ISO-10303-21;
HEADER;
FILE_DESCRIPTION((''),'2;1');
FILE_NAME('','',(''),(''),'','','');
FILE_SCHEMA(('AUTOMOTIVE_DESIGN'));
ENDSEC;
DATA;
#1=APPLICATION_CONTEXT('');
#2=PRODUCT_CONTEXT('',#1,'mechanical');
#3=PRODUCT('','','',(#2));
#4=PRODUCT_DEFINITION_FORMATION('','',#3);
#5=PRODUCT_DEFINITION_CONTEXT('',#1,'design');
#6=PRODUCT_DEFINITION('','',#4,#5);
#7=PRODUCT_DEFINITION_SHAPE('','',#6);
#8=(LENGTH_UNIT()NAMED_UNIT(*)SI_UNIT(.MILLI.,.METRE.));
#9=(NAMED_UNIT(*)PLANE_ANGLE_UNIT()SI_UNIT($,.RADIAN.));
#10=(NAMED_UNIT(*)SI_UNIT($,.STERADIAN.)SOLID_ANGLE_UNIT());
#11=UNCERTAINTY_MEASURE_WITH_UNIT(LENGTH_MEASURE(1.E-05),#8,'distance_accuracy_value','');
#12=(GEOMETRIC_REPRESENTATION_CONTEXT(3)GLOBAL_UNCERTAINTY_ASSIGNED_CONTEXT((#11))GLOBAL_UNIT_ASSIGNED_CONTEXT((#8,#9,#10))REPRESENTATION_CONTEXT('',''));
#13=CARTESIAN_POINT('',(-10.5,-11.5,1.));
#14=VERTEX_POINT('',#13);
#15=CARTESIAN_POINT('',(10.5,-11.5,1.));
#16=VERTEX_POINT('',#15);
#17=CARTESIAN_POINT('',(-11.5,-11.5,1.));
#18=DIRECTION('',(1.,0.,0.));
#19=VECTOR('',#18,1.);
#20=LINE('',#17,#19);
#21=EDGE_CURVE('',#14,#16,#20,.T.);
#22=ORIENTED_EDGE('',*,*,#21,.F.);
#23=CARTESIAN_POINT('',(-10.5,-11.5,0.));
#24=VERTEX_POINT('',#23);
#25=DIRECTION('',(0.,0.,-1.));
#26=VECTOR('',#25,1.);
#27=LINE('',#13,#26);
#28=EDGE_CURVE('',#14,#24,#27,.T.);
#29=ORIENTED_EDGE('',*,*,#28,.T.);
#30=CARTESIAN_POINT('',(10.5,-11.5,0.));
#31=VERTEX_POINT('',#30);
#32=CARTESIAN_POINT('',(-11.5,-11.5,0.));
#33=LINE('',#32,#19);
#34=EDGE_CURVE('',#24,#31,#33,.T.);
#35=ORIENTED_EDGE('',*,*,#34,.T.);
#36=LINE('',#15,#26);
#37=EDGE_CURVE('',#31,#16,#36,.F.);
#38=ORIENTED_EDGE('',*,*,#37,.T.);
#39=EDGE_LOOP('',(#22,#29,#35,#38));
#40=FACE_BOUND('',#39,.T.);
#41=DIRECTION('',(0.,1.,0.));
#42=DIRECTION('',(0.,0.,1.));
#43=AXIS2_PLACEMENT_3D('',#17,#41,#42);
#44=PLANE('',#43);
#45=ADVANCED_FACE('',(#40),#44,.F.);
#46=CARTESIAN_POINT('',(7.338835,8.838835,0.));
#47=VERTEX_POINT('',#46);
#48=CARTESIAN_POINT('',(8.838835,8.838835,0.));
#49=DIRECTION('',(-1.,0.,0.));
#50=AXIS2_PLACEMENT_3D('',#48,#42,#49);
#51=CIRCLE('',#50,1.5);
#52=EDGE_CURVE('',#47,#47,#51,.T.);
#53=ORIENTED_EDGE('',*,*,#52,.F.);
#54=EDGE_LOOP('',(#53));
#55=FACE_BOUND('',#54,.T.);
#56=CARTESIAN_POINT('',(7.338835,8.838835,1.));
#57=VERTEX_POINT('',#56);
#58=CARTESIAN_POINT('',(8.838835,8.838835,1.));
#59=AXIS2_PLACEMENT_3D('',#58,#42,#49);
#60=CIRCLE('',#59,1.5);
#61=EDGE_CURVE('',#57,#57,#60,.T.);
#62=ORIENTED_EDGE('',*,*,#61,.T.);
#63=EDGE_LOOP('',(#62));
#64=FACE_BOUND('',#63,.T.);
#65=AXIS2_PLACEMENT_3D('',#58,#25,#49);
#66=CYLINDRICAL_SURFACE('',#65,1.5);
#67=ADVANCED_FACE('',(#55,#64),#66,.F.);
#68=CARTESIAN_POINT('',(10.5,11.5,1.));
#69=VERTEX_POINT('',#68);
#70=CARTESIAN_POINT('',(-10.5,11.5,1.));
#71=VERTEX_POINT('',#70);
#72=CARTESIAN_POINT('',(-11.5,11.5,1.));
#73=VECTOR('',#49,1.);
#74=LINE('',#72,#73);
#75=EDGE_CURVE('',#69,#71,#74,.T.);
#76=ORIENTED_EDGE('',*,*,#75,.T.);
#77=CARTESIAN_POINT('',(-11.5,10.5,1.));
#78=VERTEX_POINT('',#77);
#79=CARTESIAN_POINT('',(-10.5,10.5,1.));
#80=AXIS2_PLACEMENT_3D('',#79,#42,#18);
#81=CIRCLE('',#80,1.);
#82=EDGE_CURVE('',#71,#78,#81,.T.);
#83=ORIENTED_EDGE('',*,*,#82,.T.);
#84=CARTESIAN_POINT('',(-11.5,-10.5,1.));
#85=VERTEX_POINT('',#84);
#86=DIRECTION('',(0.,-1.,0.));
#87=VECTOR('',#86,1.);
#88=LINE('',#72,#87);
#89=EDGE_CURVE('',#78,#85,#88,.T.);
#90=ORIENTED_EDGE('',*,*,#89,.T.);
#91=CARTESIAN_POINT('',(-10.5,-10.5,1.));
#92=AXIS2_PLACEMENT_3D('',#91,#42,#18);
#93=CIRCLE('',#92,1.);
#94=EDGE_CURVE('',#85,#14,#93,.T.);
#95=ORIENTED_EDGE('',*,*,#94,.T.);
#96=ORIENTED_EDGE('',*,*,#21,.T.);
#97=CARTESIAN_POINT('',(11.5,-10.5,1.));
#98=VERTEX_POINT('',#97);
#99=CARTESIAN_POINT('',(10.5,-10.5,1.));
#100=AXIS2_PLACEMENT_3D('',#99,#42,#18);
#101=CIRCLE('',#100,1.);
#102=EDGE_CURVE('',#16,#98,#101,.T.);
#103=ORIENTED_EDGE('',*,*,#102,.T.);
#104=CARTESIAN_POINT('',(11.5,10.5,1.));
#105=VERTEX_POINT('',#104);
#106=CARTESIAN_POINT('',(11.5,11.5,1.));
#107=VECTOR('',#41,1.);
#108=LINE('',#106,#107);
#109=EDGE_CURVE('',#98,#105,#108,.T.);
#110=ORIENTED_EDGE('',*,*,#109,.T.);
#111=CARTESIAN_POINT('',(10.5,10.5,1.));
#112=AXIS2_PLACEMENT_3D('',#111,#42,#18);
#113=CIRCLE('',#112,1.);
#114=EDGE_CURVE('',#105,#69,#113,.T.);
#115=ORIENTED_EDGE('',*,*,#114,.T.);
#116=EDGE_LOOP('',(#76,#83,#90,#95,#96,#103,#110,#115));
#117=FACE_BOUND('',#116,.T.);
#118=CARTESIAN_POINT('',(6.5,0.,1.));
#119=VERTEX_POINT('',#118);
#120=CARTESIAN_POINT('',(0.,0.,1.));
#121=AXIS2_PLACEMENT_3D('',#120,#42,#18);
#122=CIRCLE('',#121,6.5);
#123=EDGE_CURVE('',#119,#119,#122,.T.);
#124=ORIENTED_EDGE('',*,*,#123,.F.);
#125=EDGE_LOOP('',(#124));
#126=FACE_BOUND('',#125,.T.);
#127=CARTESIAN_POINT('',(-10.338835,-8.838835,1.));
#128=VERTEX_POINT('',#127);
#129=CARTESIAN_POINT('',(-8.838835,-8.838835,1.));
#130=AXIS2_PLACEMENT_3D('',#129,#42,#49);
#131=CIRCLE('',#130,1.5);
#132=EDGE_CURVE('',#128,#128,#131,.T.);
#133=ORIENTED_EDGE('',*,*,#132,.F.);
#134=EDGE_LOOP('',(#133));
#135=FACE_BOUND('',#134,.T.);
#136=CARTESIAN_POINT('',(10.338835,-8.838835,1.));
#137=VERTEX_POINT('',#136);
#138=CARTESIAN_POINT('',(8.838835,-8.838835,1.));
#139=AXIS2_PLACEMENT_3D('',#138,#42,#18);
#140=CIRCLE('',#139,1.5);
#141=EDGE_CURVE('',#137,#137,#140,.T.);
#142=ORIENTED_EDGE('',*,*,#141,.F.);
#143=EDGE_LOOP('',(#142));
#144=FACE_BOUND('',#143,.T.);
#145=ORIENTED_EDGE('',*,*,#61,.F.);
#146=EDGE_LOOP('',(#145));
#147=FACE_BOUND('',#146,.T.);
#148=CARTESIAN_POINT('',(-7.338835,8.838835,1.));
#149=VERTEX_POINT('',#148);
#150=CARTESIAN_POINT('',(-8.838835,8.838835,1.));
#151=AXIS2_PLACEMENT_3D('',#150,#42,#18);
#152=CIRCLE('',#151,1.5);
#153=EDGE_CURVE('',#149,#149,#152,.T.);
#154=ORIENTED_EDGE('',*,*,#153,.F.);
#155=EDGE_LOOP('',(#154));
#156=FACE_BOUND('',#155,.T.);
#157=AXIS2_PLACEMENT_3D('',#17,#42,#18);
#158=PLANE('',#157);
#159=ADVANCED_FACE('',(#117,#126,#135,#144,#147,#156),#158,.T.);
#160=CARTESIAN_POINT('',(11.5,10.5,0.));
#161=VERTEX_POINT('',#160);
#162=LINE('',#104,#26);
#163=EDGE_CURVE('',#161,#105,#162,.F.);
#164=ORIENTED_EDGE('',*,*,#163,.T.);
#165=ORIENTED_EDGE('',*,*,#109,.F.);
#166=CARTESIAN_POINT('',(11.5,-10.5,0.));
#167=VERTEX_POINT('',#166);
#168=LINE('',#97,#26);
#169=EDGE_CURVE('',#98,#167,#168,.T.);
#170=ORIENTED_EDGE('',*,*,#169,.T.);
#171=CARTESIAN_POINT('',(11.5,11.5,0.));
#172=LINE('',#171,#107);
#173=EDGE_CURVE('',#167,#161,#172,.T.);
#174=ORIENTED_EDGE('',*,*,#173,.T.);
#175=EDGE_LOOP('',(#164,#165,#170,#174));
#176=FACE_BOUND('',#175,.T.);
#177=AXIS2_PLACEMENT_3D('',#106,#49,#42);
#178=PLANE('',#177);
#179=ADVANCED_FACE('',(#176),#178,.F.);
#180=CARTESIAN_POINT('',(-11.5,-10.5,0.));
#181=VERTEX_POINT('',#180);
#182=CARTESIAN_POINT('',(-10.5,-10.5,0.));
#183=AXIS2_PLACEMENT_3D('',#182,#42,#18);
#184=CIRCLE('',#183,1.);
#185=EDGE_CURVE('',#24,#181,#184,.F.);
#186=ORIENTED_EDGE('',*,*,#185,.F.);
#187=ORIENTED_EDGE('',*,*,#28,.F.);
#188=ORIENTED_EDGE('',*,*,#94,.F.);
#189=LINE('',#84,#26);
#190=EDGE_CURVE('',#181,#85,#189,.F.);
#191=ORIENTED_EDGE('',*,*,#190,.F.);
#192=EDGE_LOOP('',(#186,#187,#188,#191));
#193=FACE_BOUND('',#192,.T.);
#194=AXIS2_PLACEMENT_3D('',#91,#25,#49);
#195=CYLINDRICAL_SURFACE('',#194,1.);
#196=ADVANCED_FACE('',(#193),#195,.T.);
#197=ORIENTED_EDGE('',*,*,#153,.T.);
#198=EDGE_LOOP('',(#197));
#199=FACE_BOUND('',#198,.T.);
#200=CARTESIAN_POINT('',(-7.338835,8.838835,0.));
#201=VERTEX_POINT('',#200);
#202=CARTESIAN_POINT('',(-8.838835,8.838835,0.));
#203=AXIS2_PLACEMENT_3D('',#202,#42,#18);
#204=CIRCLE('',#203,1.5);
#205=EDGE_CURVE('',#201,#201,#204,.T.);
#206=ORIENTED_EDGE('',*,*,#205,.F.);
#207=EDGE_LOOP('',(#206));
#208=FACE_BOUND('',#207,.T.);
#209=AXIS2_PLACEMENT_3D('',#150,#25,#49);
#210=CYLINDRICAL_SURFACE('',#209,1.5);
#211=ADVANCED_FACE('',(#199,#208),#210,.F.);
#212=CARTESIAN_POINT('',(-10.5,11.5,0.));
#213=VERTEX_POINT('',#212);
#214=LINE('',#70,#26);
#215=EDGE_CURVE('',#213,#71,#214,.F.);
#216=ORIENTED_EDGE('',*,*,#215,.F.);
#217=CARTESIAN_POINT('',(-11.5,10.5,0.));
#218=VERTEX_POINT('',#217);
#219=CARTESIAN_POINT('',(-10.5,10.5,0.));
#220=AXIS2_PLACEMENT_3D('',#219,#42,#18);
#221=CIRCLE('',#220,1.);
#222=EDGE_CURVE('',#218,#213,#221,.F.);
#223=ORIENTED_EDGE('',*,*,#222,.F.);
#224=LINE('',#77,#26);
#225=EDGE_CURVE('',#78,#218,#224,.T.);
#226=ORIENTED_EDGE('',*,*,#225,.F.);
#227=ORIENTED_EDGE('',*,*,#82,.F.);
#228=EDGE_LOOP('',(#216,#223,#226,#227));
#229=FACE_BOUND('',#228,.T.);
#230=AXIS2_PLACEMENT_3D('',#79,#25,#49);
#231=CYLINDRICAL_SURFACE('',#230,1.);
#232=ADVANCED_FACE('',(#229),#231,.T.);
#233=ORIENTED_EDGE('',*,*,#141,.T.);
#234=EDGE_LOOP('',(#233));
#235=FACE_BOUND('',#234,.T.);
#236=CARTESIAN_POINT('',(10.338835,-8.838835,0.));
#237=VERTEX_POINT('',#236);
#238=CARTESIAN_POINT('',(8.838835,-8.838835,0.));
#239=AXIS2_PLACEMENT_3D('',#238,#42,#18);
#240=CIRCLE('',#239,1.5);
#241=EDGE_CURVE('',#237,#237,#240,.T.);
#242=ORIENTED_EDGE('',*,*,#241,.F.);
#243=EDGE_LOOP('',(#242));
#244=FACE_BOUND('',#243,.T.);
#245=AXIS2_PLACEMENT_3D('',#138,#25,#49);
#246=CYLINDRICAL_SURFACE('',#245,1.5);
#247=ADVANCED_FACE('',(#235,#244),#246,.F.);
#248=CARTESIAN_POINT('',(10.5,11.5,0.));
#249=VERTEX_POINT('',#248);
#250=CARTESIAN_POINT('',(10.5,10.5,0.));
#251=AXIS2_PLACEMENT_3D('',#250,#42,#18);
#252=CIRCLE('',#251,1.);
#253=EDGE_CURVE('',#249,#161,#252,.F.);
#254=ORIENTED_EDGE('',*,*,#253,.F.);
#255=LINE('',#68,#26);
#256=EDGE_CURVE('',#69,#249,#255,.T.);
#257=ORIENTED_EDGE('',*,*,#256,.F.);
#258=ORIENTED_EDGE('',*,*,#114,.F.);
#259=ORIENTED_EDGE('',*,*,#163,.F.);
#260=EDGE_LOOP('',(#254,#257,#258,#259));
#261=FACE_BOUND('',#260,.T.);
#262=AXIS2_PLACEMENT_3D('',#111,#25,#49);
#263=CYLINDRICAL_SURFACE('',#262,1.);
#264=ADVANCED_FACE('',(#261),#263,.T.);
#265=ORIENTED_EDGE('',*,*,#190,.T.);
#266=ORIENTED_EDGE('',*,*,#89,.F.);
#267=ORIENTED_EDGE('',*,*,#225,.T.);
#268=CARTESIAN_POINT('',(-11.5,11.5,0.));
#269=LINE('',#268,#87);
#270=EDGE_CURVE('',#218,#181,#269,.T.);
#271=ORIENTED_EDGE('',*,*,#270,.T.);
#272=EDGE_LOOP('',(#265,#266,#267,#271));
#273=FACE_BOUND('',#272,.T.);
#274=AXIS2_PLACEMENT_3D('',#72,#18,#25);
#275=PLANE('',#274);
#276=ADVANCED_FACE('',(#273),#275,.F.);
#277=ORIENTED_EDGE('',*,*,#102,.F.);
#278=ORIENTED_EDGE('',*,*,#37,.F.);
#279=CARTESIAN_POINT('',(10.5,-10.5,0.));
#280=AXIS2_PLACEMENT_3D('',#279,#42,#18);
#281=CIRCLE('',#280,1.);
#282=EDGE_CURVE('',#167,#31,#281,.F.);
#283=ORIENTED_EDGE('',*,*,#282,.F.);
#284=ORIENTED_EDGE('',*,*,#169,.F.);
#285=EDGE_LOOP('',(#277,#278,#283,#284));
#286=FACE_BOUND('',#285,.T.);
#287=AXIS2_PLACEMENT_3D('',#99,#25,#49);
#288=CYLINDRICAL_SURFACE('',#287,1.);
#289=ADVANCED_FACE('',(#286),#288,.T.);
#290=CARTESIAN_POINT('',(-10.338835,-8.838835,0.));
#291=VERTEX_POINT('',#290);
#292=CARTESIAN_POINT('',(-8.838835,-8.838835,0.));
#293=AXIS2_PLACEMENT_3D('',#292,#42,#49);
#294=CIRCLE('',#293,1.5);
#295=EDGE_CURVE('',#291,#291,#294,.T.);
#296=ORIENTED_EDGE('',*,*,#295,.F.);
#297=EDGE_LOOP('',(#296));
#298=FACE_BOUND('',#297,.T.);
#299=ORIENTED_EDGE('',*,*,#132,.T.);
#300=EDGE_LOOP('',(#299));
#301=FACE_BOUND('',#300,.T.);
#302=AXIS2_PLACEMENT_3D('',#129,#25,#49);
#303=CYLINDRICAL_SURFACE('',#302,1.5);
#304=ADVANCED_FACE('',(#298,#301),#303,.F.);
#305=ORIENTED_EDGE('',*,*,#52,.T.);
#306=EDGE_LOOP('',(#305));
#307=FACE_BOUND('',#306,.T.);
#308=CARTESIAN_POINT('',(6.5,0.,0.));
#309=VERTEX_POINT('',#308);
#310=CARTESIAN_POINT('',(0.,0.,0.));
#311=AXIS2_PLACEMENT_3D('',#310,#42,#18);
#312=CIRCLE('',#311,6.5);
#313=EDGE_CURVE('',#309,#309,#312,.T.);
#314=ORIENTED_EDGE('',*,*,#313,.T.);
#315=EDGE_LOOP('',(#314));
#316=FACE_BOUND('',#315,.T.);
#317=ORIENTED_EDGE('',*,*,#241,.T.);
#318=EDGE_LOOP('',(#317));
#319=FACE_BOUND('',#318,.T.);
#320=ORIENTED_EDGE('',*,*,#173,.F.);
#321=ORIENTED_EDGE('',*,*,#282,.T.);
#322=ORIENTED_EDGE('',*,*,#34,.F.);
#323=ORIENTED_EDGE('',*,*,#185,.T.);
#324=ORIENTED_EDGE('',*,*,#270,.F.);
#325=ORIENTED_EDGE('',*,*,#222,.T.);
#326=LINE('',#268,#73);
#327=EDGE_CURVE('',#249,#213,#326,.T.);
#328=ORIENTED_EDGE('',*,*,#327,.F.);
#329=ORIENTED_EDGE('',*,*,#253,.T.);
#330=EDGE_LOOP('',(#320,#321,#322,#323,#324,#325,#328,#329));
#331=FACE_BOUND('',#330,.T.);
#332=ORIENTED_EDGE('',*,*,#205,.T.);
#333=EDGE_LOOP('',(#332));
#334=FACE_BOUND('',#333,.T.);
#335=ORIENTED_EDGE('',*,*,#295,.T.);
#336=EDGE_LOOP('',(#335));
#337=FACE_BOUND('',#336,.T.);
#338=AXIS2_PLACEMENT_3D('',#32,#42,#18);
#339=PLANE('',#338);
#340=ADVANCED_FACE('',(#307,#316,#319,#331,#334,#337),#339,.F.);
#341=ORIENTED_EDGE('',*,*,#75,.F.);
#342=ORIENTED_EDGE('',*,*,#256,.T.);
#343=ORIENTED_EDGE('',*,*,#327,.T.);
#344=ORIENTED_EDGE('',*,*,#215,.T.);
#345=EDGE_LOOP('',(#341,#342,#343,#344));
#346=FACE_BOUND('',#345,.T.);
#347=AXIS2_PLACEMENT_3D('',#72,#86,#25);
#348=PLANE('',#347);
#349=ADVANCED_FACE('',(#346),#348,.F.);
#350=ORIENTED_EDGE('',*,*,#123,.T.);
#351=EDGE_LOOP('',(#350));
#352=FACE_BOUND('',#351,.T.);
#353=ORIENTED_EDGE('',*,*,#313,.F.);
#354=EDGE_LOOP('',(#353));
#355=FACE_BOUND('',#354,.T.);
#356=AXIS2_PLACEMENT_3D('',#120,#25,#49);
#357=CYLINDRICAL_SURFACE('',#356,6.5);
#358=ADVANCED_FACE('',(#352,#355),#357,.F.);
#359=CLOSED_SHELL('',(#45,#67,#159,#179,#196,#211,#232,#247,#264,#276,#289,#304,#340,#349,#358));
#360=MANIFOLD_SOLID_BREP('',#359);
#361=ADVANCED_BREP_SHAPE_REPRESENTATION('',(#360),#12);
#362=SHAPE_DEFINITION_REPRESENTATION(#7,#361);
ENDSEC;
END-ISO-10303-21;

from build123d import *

# Parameters (mm, degrees)
SKETCH_1_W      = 23
SKETCH_1_H      = 23
SKETCH_1_R      = 1.5
SKETCH_1_R_2    = 6.5
EXTRUDE_1_DEPTH = 1
FILLET_1_R      = 1


with BuildPart() as part:
    # 草图1 → 凸台-拉伸1 (new body)
    with BuildSketch(Plane.XY):
        Rectangle(SKETCH_1_W, SKETCH_1_H)
        with Locations((-8.838834765, 8.838834765)):
            Circle(SKETCH_1_R, mode=Mode.SUBTRACT)
        with Locations(Location((-8.838834765, -8.838834765, 0), (0, 0, 180))):
            Circle(SKETCH_1_R, mode=Mode.SUBTRACT)
        with Locations((8.838834765, -8.838834765)):
            Circle(SKETCH_1_R, mode=Mode.SUBTRACT)
        with Locations(Location((8.838834765, 8.838834765, 0), (0, 0, 180))):
            Circle(SKETCH_1_R, mode=Mode.SUBTRACT)
        Circle(SKETCH_1_R_2, mode=Mode.SUBTRACT)
    extrude(amount=EXTRUDE_1_DEPTH)

    # 圆角1
    fillet_1_edges = [part.edges().sort_by_distance(p)[0] for p in [
        (-11.5, 11.5, 0.5),
        (11.5, 11.5, 0.5),
        (11.5, -11.5, 0.5),
        (-11.5, -11.5, 0.5),
    ]]
    fillet(fillet_1_edges, radius=FILLET_1_R)


solid = part.part
